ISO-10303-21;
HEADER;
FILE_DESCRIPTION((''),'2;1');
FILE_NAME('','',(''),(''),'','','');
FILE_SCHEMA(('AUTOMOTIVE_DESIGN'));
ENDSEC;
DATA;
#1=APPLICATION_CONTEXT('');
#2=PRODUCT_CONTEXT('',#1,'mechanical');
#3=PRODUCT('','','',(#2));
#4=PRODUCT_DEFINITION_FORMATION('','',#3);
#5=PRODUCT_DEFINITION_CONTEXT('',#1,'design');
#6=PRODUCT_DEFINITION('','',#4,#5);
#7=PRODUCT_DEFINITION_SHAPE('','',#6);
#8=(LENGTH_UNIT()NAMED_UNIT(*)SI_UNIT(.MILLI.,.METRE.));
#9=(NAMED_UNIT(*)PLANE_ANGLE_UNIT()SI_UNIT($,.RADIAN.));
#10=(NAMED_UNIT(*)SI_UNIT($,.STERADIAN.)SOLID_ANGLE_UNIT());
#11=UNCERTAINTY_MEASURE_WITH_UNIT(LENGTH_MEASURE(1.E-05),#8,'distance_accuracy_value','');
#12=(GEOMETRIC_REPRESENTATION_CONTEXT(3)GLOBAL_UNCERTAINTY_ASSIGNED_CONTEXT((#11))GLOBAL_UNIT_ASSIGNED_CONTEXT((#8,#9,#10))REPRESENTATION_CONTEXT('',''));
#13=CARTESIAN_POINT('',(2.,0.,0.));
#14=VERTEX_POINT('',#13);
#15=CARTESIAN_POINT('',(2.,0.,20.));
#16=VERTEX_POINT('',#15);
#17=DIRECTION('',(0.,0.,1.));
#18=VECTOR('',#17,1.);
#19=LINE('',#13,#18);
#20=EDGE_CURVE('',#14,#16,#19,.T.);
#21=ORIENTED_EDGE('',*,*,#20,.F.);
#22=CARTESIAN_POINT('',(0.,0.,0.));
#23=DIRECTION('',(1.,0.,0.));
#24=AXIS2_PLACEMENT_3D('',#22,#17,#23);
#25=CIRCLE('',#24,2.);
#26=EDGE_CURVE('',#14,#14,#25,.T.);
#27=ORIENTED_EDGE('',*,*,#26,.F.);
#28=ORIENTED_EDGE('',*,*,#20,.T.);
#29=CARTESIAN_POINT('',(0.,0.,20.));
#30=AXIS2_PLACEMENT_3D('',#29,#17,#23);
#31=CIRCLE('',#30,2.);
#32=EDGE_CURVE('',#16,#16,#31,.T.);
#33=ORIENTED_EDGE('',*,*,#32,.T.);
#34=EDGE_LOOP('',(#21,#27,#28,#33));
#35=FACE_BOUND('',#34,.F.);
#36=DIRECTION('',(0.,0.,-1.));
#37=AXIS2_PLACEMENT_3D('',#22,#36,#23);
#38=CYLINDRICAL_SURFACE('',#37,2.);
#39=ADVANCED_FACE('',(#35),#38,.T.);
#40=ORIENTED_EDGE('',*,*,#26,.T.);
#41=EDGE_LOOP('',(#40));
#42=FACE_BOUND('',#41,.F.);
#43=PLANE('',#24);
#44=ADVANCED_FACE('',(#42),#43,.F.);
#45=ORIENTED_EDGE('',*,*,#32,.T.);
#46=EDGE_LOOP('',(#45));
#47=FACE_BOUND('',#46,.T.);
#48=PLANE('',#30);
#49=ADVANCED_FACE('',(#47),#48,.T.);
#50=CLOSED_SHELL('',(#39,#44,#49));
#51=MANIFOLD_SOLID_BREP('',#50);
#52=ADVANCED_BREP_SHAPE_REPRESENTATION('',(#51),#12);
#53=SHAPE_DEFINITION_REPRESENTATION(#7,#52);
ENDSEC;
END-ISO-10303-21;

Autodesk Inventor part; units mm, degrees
ref_plane "YZ Plane" through (0, 0, 0) normal (1, 0, 0) x (0, 1, 0)
ref_plane "XZ Plane" through (0, 0, 0) normal (0, 1, 0) x (-1, 0, 0)
ref_plane "XY Plane" through (0, 0, 0) normal (0, 0, 1) x (1, 0, 0)
sketch "Sketch1" plane through (0, 0, 0) normal (0, 0, 1) x (1, 0, 0)
  circle A0 centre (0, 0) radius 2
  dimension "d0" = 4
extrude "Extrusion1" add sketch "Sketch1" along normal blind 20
properties part number "Joint Pin Spider Crab" material "Steel, Galvanized"
